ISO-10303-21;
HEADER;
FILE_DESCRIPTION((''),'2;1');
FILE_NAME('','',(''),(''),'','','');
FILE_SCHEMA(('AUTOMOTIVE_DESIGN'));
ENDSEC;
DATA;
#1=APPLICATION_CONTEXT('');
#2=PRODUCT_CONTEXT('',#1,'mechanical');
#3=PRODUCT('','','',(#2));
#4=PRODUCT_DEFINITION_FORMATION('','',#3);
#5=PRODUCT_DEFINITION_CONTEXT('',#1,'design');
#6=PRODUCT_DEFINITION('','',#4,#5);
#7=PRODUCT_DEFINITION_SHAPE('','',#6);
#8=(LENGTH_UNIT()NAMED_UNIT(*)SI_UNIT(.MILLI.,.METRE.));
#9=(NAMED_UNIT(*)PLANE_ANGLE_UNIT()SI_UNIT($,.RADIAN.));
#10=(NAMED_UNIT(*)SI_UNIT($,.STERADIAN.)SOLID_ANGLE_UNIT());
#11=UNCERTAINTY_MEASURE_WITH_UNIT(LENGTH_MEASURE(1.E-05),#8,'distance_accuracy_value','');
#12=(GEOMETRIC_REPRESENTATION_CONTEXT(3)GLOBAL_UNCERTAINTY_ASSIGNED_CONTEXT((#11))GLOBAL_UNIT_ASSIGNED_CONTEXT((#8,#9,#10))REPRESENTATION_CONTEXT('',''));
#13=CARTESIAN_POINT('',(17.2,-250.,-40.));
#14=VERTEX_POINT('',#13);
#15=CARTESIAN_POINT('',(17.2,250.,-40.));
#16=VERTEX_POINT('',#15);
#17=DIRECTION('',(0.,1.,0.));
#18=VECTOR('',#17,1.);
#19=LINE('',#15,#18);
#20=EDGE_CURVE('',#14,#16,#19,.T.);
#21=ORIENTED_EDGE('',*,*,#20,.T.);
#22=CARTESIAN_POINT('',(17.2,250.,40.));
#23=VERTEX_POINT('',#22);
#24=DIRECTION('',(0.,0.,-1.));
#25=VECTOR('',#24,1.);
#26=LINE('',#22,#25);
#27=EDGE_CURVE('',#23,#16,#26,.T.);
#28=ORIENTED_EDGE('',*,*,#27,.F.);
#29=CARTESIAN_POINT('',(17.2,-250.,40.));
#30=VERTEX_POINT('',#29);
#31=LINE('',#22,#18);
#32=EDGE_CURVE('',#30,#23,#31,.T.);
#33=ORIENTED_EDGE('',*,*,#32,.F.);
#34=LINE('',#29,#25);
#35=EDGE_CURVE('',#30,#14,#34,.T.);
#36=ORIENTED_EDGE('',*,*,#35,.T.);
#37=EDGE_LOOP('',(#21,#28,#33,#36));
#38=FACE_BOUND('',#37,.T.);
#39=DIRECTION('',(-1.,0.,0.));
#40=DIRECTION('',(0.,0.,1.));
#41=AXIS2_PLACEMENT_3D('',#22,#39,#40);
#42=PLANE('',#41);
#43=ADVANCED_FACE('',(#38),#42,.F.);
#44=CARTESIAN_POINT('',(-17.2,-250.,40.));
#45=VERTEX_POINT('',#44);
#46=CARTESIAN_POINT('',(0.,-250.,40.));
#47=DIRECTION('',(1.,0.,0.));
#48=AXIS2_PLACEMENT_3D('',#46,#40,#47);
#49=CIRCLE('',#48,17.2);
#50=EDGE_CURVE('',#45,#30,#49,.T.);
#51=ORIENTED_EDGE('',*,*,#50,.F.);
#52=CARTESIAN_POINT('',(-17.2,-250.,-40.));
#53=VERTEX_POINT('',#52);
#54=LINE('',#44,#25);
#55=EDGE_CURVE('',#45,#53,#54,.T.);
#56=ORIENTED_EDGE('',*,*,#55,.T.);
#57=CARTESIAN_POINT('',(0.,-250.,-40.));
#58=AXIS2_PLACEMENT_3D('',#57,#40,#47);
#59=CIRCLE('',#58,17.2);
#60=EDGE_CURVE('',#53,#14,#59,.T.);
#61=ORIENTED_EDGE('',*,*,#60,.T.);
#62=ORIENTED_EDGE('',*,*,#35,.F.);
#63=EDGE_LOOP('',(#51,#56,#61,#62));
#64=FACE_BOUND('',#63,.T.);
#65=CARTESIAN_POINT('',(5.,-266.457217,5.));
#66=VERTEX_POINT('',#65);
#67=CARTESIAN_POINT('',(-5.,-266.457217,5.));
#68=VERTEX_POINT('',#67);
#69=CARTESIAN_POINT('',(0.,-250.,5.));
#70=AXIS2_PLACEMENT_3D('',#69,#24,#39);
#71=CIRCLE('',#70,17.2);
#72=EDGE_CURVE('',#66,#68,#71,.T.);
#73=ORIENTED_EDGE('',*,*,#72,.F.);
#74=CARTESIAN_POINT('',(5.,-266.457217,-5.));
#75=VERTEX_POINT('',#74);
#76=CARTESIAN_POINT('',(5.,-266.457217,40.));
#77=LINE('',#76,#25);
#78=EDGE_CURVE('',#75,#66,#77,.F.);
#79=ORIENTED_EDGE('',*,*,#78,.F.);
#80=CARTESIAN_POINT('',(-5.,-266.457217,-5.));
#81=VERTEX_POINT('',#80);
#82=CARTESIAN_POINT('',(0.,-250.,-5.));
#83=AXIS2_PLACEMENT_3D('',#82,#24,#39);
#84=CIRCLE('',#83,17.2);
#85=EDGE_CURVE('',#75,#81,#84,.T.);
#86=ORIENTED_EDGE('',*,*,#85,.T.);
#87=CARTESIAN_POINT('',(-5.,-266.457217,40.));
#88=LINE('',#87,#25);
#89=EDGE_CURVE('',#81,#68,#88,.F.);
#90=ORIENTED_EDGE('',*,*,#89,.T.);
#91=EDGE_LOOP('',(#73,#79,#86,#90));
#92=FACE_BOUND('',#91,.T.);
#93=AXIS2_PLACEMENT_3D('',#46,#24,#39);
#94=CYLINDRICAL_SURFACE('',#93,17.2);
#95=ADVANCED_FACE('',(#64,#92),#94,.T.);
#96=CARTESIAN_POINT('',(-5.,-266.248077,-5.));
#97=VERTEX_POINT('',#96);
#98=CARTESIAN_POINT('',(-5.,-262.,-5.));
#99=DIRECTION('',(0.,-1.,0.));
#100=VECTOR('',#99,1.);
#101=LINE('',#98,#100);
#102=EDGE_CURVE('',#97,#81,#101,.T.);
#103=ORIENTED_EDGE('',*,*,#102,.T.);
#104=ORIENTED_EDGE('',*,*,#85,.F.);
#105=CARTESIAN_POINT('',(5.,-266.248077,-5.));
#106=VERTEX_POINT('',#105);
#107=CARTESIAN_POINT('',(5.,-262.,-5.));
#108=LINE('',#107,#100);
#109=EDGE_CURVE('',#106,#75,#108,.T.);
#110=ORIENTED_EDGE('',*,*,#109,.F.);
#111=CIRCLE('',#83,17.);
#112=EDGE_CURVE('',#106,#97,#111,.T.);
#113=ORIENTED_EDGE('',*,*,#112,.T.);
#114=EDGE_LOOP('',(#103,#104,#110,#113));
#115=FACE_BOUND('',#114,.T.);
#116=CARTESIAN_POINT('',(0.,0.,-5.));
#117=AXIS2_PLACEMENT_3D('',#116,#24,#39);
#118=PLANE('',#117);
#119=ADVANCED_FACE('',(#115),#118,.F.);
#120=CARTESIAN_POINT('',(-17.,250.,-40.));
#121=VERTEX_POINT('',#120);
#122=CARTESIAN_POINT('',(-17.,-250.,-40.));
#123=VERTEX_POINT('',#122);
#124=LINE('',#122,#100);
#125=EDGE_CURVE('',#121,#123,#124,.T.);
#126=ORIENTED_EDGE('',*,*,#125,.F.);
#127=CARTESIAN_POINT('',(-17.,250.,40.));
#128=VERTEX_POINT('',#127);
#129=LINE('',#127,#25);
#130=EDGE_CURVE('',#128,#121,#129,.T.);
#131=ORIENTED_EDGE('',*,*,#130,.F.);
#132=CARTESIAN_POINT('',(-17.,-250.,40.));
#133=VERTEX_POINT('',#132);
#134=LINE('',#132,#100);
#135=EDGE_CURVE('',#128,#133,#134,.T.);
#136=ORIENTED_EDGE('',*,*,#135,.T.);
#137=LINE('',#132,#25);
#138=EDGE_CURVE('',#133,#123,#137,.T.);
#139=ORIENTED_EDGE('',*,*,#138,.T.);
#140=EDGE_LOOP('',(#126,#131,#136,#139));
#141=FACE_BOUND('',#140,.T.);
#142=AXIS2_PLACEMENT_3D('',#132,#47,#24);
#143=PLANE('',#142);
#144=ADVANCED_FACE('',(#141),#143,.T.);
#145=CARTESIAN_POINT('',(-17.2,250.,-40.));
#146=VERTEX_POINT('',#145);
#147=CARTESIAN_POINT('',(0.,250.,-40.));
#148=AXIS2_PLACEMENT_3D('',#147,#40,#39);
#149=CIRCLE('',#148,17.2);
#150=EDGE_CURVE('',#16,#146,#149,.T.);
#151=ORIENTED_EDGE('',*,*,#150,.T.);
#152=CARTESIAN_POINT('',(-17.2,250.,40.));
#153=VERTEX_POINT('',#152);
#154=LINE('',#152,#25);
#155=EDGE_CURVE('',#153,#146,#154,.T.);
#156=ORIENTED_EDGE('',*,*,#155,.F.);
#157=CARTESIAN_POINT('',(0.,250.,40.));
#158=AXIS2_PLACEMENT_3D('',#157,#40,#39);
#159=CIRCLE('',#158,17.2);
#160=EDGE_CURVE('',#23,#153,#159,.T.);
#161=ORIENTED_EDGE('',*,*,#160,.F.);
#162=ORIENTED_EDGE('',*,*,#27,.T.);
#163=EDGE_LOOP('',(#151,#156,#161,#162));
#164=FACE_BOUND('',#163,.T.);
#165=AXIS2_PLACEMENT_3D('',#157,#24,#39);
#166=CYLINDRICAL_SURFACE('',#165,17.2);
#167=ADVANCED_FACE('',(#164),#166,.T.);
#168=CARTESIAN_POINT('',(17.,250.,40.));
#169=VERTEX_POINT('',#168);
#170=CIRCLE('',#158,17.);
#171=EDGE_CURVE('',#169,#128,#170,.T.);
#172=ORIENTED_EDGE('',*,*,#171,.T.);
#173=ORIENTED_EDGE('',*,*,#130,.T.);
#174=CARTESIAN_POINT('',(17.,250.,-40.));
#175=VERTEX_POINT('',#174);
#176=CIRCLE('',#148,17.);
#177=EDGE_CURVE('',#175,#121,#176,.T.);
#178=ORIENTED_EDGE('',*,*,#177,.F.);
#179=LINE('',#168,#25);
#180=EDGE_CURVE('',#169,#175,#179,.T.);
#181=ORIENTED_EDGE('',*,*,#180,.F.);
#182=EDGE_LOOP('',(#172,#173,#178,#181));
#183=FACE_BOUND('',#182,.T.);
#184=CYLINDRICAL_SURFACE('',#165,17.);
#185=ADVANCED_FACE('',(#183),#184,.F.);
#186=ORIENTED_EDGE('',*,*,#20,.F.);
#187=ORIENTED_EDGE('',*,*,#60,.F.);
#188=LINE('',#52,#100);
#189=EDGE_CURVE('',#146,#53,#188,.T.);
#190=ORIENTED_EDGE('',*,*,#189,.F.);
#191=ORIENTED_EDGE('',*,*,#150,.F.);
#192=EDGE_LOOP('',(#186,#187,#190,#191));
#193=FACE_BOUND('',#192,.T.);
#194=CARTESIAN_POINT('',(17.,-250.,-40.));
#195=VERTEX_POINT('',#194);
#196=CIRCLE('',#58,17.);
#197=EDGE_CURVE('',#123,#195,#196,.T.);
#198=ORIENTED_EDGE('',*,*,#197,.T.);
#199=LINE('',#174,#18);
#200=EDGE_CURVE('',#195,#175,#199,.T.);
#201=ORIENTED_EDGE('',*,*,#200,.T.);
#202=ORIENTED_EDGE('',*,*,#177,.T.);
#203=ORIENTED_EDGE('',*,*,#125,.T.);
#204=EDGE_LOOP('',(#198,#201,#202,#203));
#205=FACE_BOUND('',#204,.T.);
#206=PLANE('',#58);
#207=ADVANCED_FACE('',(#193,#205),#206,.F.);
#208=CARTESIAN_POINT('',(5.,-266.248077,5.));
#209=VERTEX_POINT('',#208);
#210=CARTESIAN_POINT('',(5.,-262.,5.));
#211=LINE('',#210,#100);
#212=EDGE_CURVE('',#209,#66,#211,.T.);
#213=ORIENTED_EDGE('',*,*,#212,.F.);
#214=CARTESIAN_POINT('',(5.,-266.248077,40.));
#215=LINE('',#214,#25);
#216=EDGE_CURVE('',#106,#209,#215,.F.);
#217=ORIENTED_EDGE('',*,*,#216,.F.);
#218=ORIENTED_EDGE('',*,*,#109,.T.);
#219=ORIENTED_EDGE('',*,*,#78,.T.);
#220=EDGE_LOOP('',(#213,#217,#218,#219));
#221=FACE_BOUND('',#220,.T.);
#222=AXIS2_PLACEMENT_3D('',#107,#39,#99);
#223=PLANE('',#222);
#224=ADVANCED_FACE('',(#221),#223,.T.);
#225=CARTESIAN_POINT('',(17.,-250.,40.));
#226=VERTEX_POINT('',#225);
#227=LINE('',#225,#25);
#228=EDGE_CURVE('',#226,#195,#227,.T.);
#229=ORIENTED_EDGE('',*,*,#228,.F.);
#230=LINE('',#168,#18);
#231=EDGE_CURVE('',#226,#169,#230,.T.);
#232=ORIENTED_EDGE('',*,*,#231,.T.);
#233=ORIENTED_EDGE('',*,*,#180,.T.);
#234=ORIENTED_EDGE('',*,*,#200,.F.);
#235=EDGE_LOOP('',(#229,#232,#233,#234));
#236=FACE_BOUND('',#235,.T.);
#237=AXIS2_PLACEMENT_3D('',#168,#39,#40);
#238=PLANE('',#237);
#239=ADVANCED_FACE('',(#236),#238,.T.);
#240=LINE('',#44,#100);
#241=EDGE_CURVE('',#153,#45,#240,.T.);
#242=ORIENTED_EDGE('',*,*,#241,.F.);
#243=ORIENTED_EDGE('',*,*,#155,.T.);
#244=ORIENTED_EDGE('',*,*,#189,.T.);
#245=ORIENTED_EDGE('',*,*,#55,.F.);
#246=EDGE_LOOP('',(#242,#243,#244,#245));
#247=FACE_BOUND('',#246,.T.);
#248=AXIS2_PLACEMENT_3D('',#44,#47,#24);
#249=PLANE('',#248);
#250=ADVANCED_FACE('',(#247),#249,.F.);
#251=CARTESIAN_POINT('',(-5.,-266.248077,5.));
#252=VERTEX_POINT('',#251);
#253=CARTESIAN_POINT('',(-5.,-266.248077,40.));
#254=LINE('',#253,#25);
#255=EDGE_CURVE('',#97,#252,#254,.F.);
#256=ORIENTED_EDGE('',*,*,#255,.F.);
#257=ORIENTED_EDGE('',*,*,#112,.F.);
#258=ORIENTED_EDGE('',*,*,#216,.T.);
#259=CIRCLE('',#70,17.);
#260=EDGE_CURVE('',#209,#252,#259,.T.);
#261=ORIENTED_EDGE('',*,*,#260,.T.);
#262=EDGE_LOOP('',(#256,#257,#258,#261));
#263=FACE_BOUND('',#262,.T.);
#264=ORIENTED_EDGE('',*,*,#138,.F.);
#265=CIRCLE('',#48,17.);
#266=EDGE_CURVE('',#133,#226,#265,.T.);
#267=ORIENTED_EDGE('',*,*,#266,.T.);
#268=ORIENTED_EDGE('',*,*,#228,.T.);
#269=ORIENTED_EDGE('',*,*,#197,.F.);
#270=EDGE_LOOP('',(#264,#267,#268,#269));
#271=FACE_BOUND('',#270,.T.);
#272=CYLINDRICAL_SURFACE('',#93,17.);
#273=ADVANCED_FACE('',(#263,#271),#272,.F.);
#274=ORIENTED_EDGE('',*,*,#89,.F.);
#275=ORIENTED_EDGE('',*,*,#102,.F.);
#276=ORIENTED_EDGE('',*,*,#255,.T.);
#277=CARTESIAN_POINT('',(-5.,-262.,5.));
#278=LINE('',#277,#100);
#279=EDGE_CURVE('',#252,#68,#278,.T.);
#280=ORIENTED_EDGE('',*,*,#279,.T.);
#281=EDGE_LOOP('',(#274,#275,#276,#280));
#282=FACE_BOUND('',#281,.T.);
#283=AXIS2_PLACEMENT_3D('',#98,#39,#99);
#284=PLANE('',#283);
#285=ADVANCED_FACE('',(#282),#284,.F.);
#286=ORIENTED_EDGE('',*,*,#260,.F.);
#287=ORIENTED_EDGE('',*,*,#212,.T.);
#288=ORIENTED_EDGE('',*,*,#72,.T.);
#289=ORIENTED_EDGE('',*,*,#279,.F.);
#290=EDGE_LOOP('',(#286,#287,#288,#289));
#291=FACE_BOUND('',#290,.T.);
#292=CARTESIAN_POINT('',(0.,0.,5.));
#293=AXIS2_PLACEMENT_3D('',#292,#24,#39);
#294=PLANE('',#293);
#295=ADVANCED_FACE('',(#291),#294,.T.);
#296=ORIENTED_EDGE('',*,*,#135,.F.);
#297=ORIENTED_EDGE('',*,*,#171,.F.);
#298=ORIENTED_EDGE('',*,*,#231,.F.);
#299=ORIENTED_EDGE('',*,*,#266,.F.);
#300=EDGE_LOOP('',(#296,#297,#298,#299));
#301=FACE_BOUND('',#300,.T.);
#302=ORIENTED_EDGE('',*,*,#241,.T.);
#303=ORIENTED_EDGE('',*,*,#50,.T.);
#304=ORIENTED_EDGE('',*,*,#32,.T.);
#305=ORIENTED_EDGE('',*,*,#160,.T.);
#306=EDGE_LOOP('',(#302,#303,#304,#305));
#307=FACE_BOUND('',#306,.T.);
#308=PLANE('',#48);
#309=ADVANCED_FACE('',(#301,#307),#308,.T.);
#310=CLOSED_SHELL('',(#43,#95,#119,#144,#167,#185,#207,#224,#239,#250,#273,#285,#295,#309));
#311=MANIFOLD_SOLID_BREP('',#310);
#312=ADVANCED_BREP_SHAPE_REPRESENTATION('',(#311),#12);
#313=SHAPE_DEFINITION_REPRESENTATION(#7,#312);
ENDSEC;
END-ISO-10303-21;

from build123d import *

# Parameters (mm, degrees)
BOSS_EXTRUDE1_DEPTH = 40
SKETCH3_W           = 10
SKETCH3_H           = 10
CUT_EXTRUDE1_DEPTH  = 5


with BuildPart() as part:
    # Sketch1 → Boss-Extrude1 (new, symmetric)
    with BuildSketch(Plane.XY):
        with BuildLine():
            Line((-17.2, -250), (-17.2, 250))
            ThreePointArc((-17.2, 250), (0, 267.2), (17.2, 250))
            Line((17.2, 250), (17.2, -250))
            ThreePointArc((17.2, -250), (0, -267.2), (-17.2, -250))
        make_face()
        with BuildLine():
            Line((-17, -250), (-17, 250))
            ThreePointArc((-17, 250), (0, 267), (17, 250))
            Line((17, 250), (17, -250))
            ThreePointArc((17, -250), (0, -267), (-17, -250))
        make_face(mode=Mode.SUBTRACT)
    extrude(amount=BOSS_EXTRUDE1_DEPTH, both=True)

    # Sketch3 → Cut-Extrude1 (cut, symmetric)
    with BuildSketch(Plane.XY):
        with Locations((0, -267)):
            Rectangle(SKETCH3_W, SKETCH3_H)
    extrude(amount=CUT_EXTRUDE1_DEPTH, both=True, mode=Mode.SUBTRACT)


solid = part.part
